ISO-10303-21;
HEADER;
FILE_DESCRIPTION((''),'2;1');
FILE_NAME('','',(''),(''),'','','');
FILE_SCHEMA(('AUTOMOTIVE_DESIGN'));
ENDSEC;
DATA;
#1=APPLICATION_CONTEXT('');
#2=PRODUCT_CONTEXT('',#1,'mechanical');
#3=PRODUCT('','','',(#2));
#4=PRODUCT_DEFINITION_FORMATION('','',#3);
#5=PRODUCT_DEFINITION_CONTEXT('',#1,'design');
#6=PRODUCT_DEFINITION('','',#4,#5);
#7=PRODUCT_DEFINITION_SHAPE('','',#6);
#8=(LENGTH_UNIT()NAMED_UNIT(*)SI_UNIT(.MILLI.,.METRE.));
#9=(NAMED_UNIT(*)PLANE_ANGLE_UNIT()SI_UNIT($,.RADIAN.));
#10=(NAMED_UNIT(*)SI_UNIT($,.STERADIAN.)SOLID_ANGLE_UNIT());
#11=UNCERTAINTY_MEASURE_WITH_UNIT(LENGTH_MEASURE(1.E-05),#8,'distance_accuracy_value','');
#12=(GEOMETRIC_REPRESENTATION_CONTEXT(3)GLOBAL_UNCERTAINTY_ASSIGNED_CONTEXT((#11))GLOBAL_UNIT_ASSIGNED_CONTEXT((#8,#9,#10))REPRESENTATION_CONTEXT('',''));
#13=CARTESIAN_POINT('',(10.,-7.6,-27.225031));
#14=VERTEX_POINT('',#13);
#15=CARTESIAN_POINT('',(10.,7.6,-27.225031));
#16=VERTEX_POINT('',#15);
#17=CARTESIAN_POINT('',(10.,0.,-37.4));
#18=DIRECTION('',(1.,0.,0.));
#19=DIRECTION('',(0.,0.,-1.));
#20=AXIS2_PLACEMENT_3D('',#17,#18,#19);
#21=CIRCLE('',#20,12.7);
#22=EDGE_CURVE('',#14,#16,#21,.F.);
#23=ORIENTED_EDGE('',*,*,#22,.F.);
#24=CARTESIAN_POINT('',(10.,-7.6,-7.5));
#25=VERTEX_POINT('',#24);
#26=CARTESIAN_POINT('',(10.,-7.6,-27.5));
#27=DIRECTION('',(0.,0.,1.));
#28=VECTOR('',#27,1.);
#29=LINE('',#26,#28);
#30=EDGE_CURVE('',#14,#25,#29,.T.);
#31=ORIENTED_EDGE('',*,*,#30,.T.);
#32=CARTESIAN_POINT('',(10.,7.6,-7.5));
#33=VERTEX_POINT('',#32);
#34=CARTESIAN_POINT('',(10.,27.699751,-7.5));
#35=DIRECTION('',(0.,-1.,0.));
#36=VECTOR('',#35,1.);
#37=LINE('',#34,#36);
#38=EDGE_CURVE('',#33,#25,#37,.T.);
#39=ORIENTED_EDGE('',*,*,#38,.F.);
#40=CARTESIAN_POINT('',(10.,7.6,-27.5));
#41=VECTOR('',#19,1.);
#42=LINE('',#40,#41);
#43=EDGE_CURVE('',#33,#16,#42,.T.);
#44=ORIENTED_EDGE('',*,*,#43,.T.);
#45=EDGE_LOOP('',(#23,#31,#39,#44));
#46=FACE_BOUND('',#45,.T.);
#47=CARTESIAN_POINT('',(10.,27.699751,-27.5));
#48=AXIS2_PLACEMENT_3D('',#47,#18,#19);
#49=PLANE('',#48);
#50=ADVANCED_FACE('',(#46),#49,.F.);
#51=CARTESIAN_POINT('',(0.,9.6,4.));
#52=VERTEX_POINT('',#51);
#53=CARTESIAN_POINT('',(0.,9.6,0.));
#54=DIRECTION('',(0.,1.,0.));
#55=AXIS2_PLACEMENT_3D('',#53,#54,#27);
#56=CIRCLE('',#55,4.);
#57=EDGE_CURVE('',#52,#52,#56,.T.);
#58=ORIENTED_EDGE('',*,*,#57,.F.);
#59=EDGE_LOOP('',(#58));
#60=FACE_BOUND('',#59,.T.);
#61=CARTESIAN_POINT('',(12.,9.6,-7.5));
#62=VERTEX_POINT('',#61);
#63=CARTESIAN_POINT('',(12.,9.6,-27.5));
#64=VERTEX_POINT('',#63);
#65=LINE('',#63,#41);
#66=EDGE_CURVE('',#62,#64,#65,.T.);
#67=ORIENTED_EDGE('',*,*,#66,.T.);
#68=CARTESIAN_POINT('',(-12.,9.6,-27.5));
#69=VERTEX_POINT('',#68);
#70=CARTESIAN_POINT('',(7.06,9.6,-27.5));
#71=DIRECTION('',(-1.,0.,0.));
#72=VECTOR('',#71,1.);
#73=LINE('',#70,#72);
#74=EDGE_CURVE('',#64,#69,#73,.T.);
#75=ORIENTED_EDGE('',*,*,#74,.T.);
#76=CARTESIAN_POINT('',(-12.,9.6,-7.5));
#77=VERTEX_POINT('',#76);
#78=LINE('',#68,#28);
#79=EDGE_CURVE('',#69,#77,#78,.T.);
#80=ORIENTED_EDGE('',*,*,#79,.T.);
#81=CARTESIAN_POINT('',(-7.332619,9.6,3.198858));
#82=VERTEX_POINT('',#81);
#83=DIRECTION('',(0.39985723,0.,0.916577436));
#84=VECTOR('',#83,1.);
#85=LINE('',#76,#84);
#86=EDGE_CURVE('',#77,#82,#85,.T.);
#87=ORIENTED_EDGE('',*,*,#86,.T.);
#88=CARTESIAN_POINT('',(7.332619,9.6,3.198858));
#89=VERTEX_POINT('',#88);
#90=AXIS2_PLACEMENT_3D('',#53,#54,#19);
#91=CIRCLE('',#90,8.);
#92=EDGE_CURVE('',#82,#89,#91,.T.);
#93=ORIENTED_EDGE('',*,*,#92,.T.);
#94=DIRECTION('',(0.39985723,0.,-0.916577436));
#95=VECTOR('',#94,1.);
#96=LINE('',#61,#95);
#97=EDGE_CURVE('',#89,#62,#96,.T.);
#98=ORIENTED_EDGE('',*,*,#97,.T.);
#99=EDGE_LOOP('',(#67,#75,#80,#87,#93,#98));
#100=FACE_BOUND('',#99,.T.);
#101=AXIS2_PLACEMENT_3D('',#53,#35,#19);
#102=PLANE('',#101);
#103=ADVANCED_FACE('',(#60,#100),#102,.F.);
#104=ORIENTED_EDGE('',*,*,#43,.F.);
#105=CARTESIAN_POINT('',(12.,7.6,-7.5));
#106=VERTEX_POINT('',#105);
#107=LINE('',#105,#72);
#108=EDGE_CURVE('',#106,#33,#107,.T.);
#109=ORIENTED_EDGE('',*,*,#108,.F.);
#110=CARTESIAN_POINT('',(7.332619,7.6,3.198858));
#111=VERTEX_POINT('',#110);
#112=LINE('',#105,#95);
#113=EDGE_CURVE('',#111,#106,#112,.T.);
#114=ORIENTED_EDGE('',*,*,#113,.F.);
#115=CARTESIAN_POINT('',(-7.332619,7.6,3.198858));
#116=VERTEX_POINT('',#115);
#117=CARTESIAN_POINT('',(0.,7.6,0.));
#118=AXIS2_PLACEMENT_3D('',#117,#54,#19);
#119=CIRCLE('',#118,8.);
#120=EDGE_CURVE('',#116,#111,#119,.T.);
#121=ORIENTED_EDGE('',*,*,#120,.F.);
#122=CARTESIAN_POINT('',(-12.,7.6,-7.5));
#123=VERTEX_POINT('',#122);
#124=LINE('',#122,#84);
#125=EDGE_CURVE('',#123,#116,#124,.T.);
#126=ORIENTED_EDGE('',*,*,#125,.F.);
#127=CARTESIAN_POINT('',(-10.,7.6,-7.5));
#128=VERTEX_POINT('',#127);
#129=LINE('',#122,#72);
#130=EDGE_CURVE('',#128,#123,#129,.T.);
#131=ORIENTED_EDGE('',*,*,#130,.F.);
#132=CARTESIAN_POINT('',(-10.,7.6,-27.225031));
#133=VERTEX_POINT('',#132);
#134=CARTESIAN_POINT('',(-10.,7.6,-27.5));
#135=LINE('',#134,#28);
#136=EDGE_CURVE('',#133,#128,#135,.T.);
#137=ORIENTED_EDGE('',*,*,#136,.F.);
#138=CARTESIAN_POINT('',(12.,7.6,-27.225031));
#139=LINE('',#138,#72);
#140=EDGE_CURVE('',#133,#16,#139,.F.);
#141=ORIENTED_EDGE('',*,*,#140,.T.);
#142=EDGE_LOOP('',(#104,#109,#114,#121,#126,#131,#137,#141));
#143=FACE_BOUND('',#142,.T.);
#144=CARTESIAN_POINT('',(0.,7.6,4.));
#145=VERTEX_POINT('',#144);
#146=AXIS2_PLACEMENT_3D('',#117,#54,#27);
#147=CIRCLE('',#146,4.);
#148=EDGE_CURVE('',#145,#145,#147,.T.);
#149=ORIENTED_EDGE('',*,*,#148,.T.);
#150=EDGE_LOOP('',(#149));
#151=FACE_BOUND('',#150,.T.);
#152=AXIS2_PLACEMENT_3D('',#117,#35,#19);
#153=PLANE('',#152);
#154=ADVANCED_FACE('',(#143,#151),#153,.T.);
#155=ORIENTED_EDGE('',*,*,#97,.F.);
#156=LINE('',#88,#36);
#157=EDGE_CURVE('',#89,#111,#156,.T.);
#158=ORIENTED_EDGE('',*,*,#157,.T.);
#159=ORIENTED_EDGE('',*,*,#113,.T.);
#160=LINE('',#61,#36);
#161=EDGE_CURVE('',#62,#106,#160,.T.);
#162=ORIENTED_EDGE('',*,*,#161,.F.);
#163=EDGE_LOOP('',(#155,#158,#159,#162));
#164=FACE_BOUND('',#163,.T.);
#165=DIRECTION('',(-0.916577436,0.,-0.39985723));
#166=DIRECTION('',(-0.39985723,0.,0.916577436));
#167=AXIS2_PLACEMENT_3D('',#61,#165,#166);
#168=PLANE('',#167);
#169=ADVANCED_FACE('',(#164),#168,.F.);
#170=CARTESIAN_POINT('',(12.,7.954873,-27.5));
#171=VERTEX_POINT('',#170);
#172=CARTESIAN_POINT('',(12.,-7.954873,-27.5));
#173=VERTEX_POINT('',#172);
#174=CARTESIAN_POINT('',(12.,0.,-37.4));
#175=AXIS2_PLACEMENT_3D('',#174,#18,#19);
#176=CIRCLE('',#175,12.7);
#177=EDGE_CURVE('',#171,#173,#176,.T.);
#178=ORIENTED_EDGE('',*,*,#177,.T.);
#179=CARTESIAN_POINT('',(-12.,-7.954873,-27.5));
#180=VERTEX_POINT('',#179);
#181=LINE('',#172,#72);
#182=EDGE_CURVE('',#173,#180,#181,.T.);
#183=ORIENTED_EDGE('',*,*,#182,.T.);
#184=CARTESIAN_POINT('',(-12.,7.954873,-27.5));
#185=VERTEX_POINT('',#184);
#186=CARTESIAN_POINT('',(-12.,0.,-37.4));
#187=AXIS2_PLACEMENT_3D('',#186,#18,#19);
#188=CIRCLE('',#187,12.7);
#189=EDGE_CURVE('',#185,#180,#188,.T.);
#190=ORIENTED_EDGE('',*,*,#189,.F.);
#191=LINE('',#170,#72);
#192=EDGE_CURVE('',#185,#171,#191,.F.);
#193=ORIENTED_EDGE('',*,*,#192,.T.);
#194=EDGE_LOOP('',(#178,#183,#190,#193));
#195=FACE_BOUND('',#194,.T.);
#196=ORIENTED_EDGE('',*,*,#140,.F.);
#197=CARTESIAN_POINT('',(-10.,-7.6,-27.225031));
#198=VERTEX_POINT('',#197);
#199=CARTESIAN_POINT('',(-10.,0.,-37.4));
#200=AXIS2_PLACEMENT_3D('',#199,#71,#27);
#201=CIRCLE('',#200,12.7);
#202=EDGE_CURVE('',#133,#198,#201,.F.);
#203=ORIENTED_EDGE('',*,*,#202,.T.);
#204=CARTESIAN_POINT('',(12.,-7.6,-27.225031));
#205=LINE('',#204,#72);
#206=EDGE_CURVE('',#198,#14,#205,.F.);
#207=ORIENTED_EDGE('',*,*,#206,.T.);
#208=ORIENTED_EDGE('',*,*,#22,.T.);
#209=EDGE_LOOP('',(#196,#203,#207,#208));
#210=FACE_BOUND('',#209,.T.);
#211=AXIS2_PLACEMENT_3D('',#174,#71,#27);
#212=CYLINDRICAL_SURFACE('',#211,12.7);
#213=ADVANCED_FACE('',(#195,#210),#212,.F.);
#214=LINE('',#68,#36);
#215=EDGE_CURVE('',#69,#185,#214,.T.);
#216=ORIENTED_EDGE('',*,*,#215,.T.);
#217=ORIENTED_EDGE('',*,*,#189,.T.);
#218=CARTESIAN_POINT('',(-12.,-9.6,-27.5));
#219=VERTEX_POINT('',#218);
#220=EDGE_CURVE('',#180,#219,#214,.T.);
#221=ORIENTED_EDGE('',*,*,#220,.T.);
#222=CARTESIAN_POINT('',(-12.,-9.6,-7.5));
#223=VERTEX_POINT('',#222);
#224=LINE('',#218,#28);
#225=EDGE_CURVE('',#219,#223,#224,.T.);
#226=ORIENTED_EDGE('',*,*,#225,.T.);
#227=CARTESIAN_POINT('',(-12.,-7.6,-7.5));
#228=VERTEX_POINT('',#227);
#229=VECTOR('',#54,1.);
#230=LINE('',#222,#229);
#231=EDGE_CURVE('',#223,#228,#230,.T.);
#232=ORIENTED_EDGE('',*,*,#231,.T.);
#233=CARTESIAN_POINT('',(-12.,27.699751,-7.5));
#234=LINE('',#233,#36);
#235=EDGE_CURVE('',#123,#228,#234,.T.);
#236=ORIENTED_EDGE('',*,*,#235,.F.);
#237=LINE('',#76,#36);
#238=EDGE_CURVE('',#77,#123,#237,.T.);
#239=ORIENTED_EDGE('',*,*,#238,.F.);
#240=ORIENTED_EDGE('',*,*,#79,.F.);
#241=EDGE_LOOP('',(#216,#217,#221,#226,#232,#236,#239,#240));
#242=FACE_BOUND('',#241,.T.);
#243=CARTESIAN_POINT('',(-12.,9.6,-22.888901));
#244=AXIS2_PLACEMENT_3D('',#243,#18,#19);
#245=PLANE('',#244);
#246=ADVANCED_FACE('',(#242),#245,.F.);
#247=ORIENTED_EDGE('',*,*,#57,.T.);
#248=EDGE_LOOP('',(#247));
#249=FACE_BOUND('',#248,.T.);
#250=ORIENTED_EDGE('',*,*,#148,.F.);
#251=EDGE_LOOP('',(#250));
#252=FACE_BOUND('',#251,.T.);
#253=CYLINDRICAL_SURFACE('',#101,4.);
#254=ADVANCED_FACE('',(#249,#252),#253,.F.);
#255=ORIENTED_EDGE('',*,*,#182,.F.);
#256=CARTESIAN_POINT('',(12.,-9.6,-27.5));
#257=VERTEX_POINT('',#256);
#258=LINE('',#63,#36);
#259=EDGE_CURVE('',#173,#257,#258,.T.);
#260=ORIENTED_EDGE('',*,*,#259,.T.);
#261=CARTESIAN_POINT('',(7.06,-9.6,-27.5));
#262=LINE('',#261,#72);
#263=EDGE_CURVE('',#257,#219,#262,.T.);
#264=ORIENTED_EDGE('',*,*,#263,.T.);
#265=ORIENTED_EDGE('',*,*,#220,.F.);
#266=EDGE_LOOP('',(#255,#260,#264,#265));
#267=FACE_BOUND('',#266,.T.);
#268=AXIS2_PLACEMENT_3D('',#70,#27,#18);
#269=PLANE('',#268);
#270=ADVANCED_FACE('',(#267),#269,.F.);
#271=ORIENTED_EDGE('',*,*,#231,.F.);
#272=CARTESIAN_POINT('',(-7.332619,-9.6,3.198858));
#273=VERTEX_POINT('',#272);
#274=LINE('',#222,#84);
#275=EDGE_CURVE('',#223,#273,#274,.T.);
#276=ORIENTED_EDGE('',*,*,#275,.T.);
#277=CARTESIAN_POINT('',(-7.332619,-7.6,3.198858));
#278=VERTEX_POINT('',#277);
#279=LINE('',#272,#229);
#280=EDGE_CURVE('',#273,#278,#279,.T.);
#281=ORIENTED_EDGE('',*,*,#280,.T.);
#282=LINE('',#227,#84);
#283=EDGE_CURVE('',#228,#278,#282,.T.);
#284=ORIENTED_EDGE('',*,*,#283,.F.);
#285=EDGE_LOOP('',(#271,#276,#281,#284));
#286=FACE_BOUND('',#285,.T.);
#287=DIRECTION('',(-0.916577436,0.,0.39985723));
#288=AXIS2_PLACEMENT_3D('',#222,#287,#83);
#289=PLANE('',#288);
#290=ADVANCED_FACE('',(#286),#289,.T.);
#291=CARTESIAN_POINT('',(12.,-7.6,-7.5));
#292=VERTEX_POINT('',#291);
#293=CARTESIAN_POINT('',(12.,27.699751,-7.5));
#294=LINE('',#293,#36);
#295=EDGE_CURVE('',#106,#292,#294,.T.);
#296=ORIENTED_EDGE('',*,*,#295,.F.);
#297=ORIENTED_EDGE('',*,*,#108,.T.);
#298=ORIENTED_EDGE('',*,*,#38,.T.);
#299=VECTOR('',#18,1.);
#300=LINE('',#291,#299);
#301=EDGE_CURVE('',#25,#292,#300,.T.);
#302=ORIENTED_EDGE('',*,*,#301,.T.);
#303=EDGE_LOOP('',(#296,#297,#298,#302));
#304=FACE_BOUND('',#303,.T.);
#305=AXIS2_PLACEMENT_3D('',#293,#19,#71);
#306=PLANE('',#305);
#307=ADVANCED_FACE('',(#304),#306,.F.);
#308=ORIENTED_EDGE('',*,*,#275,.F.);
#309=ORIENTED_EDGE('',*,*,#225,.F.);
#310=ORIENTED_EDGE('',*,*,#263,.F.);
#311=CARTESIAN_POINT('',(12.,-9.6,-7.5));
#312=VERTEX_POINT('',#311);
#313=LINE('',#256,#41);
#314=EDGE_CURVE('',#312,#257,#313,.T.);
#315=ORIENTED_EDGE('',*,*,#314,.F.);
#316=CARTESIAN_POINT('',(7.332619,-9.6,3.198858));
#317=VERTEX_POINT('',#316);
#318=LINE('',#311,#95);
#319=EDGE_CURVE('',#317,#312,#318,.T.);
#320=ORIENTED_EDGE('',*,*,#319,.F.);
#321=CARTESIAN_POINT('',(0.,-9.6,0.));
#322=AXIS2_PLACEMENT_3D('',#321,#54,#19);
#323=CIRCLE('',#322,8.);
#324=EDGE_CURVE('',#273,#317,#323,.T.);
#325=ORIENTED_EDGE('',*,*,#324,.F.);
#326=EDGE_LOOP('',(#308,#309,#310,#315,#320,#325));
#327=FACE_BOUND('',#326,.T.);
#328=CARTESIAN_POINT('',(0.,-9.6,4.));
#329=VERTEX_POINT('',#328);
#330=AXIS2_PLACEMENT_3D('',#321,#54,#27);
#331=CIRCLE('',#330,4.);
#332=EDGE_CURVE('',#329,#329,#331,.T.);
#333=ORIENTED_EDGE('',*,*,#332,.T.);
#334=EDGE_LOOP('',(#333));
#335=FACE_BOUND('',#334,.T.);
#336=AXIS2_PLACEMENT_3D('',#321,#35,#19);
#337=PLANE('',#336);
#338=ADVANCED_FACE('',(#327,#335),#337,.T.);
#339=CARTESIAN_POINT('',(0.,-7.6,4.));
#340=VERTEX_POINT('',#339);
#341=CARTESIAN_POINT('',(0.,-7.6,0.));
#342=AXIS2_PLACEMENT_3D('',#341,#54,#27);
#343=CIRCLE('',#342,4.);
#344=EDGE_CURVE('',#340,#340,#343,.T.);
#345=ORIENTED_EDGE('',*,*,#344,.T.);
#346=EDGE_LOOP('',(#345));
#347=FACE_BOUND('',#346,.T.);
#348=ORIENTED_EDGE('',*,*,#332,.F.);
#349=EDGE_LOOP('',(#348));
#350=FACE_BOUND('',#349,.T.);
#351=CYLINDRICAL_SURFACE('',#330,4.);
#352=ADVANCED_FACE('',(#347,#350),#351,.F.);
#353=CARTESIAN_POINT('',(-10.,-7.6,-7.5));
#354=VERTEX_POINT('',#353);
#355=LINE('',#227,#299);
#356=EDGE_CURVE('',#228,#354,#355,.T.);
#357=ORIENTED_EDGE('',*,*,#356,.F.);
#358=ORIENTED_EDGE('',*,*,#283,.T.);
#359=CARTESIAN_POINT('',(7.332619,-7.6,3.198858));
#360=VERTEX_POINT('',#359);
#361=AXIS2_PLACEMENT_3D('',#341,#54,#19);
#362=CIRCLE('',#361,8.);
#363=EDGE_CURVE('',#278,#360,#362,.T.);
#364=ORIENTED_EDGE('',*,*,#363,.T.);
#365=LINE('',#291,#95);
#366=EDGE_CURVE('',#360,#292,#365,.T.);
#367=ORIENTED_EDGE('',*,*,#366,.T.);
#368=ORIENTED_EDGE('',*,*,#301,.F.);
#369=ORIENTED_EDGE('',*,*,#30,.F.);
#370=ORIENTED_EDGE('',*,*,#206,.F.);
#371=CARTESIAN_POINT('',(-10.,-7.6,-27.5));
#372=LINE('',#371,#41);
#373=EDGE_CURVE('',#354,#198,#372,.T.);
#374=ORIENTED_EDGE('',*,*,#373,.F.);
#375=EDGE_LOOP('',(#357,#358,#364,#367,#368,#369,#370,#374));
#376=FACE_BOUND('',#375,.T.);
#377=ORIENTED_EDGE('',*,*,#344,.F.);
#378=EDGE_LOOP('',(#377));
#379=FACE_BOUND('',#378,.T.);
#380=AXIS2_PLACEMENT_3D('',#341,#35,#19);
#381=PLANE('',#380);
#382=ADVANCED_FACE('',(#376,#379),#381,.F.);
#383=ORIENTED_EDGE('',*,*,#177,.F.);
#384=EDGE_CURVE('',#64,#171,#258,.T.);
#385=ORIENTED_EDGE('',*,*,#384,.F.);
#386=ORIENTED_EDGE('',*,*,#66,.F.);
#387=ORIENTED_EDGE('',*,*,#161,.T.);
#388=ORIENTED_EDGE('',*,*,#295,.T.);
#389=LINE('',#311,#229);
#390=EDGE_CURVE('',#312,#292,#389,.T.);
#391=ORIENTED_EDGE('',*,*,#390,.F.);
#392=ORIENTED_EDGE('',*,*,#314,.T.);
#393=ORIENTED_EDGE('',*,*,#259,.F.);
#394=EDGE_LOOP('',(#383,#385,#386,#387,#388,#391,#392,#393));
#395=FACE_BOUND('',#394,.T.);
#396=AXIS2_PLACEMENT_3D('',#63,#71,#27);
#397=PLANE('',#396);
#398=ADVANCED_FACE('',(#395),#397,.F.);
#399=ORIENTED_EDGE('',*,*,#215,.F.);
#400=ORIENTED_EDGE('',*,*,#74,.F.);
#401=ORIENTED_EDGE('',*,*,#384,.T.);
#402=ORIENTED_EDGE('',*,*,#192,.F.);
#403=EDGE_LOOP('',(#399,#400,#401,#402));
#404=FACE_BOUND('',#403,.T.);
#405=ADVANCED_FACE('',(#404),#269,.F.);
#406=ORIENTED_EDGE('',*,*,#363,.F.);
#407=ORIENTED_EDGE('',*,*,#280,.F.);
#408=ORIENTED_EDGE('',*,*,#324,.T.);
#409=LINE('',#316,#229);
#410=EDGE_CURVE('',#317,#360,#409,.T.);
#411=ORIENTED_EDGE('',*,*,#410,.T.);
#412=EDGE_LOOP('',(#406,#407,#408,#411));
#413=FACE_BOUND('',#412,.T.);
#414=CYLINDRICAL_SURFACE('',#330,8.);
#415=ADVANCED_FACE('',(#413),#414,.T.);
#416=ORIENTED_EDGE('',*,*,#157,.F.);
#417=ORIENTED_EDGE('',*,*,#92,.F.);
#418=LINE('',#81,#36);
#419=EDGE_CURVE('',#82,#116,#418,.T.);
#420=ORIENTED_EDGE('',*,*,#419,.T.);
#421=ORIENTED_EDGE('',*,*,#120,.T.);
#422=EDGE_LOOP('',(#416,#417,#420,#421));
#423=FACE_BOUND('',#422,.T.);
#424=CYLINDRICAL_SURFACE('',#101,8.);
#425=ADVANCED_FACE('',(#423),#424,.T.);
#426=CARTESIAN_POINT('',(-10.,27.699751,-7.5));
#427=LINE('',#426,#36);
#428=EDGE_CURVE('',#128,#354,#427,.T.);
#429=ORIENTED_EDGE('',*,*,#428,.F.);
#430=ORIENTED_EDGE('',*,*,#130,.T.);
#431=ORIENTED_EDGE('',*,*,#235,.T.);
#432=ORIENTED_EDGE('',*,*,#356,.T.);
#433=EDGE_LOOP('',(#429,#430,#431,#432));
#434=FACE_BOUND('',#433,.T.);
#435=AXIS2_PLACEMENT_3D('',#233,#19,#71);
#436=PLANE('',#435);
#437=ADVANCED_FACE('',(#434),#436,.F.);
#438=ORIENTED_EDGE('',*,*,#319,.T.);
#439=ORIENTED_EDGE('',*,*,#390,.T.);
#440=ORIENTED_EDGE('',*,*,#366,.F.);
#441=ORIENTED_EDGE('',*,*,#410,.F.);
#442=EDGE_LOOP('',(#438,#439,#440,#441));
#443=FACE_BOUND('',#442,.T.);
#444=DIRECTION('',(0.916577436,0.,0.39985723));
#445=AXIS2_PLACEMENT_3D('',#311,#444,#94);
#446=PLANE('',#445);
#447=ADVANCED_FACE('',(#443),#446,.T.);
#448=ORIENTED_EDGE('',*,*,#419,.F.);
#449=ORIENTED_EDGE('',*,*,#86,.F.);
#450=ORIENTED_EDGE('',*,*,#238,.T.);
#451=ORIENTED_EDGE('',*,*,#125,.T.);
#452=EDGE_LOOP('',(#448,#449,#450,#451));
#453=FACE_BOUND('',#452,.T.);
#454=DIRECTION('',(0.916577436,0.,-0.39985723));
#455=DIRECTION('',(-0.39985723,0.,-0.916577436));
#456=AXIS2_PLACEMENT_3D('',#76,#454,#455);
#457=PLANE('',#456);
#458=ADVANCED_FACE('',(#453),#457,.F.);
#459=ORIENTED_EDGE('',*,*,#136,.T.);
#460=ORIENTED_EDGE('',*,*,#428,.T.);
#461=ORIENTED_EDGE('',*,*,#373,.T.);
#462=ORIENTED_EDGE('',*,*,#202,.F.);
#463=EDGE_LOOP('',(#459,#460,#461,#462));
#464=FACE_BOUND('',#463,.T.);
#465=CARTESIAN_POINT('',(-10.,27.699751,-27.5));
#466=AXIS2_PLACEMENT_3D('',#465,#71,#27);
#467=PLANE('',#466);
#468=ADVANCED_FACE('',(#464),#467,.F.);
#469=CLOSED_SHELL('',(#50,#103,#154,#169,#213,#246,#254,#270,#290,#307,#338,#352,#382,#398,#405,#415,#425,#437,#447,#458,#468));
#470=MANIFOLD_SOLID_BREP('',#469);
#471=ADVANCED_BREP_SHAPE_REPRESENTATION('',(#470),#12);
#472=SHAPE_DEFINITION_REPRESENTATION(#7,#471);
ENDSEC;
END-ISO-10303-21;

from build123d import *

# Parameters (mm, degrees)
BOSS_EXTRUDE1_START     = 7.6
SKETCH1_R               = 4
BOSS_EXTRUDE1_DEPTH     = 2
BOSS_EXTRUDE2_START     = -7.6
SKETCH1_2_R             = 4
BOSS_EXTRUDE2_DEPTH     = 2
BOSS_EXTRUDE3_START     = -7.6
SKETCH2_W               = 2
SKETCH2_H               = 20
BOSS_EXTRUDE3_DEPTH     = 15.2
SKETCH3_R               = 12.7
CUT_EXTRUDE1_DEPTH      = 13
CUT_EXTRUDE1_DEPTH_BACK = 13


with BuildPart() as part:
    # Sketch1 → Boss-Extrude1 (new body)
    with BuildSketch(Plane(origin=(0, 0, 0), x_dir=(1, 0, 0), z_dir=(0, 1, 0)).offset(BOSS_EXTRUDE1_START)):
        with BuildLine():
            Line((7.06, 27.5), (12, 27.5))
            Line((12, 27.5), (12, 7.5))
            Line((12, 7.5), (7.332619485, -3.198857842))
            ThreePointArc((7.332619485, -3.198857842), (0, -8), (-7.332619485, -3.198857842))
            Line((-7.332619485, -3.198857842), (-12, 7.5))
            Line((-12, 7.5), (-12, 22.888900714))
            Line((-12, 22.888900714), (-12, 27.5))
            Line((-12, 27.5), (7.06, 27.5))
        make_face()
        Circle(SKETCH1_R, mode=Mode.SUBTRACT)
    extrude(amount=BOSS_EXTRUDE1_DEPTH)



with BuildPart() as body_2:
    # Sketch1<2> → Boss-Extrude2 (new body)
    with BuildSketch(Plane(origin=(0, 0, 0), x_dir=(1, 0, 0), z_dir=(0, 1, 0)).offset(BOSS_EXTRUDE2_START)):
        with BuildLine():
            Line((7.06, 27.5), (12, 27.5))
            Line((12, 27.5), (12, 7.5))
            Line((12, 7.5), (7.332619485, -3.198857842))
            ThreePointArc((7.332619485, -3.198857842), (0, -8), (-7.332619485, -3.198857842))
            Line((-7.332619485, -3.198857842), (-12, 7.5))
            Line((-12, 7.5), (-12, 22.888900714))
            Line((-12, 22.888900714), (-12, 27.5))
            Line((-12, 27.5), (7.06, 27.5))
        make_face()
        Circle(SKETCH1_2_R, mode=Mode.SUBTRACT)
    extrude(amount=-BOSS_EXTRUDE2_DEPTH)


with BuildPart() as part_1:
    add(part.part)

    add(body_2.part)  # Boss-Extrude3 merges body 2
    # Sketch2 → Boss-Extrude3 (add)
    with BuildSketch(Plane(origin=(0, 0, 0), x_dir=(1, 0, 0), z_dir=(0, 1, 0)).offset(BOSS_EXTRUDE3_START)):
        with Locations((-11, 17.5)):
            Rectangle(SKETCH2_W, SKETCH2_H)
        with Locations((11, 17.5)):
            Rectangle(SKETCH2_W, SKETCH2_H)
    extrude(amount=BOSS_EXTRUDE3_DEPTH)

    # Sketch3 → Cut-Extrude1 (cut, two sides)
    with BuildSketch(Plane(origin=(0, 0, 0), x_dir=(0, 0, -1), z_dir=(1, 0, 0))) as cut_extrude1_sk:
        with Locations((37.4, 0)):
            Circle(SKETCH3_R)
    extrude(amount=CUT_EXTRUDE1_DEPTH, mode=Mode.SUBTRACT)
    extrude(cut_extrude1_sk.sketch, amount=-CUT_EXTRUDE1_DEPTH_BACK, mode=Mode.SUBTRACT)


solid = part_1.part
